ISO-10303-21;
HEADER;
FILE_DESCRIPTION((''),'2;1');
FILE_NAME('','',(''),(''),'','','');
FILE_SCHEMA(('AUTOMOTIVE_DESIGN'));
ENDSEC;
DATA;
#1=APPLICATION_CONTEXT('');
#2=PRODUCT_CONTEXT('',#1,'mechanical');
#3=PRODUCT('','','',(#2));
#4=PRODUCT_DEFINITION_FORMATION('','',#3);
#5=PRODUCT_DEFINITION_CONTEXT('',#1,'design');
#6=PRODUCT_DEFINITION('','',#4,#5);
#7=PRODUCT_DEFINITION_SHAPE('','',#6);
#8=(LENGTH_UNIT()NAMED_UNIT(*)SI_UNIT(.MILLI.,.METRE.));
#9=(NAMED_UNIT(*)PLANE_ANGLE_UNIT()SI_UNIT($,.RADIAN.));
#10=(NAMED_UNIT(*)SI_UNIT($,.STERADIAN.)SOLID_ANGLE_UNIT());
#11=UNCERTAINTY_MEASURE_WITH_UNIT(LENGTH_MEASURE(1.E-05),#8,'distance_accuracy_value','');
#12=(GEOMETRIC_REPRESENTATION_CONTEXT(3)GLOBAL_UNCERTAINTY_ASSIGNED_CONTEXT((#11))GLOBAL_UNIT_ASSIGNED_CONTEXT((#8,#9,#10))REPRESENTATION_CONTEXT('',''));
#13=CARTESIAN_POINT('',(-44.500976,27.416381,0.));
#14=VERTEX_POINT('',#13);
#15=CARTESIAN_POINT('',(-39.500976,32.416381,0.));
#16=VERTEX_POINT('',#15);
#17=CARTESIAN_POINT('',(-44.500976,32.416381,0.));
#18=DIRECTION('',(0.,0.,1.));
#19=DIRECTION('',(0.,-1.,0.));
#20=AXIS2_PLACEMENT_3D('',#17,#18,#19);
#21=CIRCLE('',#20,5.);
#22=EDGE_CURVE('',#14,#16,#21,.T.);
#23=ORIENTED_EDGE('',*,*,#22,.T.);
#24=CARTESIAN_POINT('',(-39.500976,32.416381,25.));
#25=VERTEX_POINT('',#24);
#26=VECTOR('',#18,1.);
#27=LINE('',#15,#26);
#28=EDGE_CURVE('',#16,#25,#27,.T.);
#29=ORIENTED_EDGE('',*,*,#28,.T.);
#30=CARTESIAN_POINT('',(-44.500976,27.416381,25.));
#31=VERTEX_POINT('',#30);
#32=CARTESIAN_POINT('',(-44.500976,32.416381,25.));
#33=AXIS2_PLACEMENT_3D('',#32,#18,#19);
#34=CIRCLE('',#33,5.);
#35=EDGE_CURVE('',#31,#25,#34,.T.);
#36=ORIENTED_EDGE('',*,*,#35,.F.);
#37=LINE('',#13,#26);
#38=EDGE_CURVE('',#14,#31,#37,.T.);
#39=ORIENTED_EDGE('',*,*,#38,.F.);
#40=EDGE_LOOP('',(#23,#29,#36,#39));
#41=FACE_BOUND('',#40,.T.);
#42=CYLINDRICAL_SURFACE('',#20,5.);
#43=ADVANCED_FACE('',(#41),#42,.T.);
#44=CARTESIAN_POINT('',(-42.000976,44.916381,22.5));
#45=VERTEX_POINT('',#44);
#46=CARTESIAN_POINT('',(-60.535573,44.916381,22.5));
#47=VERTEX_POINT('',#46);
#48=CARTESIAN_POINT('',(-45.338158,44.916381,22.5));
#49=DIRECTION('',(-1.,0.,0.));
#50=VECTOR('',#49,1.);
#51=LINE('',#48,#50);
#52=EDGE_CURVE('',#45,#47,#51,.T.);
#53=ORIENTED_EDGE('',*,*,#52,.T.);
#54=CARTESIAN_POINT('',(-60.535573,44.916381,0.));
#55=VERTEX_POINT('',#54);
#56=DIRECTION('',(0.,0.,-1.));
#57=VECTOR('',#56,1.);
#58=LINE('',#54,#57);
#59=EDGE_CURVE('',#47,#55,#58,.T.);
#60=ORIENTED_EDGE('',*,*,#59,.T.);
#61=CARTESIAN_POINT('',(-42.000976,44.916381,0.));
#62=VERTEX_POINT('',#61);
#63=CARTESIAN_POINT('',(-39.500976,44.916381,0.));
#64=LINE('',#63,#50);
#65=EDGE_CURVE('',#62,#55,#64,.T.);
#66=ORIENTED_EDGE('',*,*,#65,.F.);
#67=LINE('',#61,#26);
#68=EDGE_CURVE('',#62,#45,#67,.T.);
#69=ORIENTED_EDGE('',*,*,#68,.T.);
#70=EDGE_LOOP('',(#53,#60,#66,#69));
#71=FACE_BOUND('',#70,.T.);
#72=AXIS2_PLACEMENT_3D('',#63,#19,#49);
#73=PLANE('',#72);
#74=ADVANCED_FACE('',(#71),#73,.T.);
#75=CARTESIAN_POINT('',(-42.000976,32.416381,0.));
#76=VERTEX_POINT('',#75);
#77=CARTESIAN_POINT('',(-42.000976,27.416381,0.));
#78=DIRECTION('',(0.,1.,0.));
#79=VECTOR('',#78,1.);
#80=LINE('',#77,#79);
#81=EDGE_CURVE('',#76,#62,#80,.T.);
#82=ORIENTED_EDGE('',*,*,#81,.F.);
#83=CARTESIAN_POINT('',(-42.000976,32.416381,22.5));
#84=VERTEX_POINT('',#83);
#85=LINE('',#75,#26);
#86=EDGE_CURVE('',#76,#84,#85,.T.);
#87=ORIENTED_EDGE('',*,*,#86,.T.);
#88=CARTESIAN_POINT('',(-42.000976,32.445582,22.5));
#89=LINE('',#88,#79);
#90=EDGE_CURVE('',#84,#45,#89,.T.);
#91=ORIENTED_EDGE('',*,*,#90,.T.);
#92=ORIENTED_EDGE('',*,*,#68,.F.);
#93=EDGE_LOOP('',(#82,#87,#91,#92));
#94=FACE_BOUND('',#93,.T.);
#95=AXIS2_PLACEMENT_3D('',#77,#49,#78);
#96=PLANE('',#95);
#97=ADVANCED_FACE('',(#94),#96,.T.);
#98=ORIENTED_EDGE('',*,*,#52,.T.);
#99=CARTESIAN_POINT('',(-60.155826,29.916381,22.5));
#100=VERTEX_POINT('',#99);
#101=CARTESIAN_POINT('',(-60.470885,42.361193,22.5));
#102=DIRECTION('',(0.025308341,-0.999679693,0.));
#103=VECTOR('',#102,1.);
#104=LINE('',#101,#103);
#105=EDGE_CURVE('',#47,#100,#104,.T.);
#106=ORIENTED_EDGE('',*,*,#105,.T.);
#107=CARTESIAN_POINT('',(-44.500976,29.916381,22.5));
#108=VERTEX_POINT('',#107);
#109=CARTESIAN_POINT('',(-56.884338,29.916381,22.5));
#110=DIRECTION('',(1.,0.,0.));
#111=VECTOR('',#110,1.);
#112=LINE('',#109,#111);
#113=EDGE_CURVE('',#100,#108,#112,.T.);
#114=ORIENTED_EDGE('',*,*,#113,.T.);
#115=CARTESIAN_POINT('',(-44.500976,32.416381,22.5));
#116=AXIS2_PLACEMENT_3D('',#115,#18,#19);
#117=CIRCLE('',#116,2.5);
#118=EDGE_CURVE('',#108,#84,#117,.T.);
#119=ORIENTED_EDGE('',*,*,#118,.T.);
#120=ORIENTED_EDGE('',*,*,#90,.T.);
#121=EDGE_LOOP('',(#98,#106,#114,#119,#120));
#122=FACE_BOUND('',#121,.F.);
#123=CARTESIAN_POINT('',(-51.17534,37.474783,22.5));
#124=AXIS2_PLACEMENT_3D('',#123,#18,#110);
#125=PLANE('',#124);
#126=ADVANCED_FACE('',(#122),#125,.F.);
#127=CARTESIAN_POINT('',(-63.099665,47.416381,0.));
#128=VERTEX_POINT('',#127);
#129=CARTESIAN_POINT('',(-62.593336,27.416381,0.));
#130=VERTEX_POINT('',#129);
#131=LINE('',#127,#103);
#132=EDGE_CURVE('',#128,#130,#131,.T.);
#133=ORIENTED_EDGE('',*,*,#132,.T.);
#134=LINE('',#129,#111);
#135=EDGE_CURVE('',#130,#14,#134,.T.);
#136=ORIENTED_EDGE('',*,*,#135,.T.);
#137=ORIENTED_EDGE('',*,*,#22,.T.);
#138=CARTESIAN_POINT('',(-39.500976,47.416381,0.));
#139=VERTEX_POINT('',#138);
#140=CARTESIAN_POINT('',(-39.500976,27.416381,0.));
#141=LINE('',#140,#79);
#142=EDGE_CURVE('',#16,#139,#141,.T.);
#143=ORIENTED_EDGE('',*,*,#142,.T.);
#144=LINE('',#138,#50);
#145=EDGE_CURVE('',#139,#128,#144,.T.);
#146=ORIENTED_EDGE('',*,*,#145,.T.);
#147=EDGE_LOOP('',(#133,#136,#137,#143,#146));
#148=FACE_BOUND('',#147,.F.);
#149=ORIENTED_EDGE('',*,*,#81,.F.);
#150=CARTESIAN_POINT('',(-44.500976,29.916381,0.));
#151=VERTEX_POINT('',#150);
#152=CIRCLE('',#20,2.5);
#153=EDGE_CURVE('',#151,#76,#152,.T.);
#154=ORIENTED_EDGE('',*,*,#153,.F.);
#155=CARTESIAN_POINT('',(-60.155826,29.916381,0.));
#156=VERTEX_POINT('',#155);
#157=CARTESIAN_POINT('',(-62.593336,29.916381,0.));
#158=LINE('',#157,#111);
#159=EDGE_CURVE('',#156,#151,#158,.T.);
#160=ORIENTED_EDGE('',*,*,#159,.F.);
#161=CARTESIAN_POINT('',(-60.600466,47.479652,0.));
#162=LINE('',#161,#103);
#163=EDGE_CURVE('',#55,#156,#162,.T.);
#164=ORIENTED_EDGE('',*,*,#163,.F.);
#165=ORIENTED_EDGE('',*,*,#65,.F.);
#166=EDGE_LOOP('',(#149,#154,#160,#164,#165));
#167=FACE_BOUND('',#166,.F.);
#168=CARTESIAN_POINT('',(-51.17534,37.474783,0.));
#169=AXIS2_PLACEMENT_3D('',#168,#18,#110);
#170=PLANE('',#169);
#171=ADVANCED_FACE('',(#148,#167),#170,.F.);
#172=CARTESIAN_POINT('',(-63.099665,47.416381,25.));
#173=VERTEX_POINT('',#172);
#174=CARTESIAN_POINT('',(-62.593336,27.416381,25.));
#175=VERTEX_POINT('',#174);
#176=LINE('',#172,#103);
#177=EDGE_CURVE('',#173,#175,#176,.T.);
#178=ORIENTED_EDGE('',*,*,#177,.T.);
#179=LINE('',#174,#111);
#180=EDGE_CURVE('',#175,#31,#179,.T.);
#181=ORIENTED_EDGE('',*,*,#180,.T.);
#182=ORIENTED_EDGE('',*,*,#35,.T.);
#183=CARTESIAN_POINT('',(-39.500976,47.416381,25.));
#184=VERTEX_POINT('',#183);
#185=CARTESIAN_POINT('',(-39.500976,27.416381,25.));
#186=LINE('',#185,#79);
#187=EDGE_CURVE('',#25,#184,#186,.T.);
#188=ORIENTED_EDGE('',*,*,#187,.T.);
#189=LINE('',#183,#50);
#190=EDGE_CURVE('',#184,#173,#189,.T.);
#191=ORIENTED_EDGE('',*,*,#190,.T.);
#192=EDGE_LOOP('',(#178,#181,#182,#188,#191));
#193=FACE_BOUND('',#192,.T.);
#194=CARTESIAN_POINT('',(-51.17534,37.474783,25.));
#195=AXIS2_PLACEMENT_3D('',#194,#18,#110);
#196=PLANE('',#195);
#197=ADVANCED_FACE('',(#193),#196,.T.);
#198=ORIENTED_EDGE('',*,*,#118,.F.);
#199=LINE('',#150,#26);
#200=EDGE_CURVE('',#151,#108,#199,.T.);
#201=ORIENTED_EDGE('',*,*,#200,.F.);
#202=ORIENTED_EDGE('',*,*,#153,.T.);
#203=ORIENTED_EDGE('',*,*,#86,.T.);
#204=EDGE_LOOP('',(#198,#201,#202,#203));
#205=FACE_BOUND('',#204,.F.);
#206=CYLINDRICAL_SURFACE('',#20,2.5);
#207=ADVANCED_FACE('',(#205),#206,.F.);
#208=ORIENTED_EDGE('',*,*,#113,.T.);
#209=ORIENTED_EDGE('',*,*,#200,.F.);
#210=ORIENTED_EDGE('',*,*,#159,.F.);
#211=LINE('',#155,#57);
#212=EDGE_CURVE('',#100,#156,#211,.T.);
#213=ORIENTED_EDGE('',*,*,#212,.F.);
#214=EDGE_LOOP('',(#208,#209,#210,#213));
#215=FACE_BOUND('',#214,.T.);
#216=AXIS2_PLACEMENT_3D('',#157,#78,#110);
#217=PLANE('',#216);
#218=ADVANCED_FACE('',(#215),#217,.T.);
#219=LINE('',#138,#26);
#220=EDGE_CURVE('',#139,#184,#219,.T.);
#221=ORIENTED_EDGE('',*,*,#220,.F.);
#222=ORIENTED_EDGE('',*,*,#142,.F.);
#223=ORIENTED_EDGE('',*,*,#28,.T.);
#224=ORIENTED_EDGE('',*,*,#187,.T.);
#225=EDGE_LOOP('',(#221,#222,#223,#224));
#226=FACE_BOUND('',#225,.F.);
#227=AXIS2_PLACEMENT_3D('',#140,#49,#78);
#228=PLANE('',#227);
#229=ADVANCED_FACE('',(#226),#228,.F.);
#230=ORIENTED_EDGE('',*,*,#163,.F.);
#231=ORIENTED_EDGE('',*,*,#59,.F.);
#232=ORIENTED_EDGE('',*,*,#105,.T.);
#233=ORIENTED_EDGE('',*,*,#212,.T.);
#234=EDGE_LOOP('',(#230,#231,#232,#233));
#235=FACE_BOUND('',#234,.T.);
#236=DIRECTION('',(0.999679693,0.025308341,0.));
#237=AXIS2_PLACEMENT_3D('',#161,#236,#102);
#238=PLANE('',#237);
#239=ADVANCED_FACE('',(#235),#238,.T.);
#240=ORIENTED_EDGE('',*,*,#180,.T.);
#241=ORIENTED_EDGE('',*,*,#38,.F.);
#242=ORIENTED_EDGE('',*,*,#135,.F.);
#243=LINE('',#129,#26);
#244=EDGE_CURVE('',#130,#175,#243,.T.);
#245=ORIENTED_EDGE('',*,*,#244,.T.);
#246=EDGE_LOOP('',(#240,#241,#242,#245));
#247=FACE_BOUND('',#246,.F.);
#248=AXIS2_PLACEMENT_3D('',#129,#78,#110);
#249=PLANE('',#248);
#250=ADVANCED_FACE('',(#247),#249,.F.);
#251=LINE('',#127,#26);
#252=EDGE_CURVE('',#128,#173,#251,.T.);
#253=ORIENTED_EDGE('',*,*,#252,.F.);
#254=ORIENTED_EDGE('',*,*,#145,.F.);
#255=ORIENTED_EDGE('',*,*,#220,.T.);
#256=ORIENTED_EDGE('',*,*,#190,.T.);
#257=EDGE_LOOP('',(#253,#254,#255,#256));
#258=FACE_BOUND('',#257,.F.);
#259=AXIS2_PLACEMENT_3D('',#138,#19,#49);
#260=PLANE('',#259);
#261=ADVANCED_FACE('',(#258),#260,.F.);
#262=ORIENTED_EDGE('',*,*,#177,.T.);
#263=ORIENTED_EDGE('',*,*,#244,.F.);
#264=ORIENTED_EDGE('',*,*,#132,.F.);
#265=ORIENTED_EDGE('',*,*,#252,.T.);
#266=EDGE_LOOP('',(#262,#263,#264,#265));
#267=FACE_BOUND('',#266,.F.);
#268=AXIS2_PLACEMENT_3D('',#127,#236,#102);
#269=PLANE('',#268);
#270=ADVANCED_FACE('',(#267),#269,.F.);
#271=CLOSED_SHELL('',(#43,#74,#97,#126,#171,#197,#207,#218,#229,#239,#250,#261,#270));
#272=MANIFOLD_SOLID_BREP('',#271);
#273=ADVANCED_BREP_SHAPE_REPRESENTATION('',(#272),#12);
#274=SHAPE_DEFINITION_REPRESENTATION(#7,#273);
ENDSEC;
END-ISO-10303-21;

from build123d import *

# Parameters (mm, degrees)
F1_DEPTH = 25
F2_R     = 5
F3_T     = -2.5


with BuildPart() as f1:
    # F0 (on Top) → F1 (new body)
    with BuildSketch(Plane.XY):
        Polygon((-39.500976, 47.416381), (-63.099665, 47.416381), (-62.593336, 27.416381), (-39.500976, 27.416381), align=None)
    extrude(amount=F1_DEPTH)

    # F2
    f2_edges = [f1.edges().sort_by_distance(p)[0] for p in [
        (-39.500976, 27.416381, 12.5),
    ]]
    fillet(f2_edges, radius=F2_R)

    # F3
    f3_openings = [f1.faces().sort_by_distance(p)[0] for p in [
        (-51.296904, 37.556207, 0),
    ]]
    offset(amount=F3_T, openings=f3_openings)


solid = f1.part
